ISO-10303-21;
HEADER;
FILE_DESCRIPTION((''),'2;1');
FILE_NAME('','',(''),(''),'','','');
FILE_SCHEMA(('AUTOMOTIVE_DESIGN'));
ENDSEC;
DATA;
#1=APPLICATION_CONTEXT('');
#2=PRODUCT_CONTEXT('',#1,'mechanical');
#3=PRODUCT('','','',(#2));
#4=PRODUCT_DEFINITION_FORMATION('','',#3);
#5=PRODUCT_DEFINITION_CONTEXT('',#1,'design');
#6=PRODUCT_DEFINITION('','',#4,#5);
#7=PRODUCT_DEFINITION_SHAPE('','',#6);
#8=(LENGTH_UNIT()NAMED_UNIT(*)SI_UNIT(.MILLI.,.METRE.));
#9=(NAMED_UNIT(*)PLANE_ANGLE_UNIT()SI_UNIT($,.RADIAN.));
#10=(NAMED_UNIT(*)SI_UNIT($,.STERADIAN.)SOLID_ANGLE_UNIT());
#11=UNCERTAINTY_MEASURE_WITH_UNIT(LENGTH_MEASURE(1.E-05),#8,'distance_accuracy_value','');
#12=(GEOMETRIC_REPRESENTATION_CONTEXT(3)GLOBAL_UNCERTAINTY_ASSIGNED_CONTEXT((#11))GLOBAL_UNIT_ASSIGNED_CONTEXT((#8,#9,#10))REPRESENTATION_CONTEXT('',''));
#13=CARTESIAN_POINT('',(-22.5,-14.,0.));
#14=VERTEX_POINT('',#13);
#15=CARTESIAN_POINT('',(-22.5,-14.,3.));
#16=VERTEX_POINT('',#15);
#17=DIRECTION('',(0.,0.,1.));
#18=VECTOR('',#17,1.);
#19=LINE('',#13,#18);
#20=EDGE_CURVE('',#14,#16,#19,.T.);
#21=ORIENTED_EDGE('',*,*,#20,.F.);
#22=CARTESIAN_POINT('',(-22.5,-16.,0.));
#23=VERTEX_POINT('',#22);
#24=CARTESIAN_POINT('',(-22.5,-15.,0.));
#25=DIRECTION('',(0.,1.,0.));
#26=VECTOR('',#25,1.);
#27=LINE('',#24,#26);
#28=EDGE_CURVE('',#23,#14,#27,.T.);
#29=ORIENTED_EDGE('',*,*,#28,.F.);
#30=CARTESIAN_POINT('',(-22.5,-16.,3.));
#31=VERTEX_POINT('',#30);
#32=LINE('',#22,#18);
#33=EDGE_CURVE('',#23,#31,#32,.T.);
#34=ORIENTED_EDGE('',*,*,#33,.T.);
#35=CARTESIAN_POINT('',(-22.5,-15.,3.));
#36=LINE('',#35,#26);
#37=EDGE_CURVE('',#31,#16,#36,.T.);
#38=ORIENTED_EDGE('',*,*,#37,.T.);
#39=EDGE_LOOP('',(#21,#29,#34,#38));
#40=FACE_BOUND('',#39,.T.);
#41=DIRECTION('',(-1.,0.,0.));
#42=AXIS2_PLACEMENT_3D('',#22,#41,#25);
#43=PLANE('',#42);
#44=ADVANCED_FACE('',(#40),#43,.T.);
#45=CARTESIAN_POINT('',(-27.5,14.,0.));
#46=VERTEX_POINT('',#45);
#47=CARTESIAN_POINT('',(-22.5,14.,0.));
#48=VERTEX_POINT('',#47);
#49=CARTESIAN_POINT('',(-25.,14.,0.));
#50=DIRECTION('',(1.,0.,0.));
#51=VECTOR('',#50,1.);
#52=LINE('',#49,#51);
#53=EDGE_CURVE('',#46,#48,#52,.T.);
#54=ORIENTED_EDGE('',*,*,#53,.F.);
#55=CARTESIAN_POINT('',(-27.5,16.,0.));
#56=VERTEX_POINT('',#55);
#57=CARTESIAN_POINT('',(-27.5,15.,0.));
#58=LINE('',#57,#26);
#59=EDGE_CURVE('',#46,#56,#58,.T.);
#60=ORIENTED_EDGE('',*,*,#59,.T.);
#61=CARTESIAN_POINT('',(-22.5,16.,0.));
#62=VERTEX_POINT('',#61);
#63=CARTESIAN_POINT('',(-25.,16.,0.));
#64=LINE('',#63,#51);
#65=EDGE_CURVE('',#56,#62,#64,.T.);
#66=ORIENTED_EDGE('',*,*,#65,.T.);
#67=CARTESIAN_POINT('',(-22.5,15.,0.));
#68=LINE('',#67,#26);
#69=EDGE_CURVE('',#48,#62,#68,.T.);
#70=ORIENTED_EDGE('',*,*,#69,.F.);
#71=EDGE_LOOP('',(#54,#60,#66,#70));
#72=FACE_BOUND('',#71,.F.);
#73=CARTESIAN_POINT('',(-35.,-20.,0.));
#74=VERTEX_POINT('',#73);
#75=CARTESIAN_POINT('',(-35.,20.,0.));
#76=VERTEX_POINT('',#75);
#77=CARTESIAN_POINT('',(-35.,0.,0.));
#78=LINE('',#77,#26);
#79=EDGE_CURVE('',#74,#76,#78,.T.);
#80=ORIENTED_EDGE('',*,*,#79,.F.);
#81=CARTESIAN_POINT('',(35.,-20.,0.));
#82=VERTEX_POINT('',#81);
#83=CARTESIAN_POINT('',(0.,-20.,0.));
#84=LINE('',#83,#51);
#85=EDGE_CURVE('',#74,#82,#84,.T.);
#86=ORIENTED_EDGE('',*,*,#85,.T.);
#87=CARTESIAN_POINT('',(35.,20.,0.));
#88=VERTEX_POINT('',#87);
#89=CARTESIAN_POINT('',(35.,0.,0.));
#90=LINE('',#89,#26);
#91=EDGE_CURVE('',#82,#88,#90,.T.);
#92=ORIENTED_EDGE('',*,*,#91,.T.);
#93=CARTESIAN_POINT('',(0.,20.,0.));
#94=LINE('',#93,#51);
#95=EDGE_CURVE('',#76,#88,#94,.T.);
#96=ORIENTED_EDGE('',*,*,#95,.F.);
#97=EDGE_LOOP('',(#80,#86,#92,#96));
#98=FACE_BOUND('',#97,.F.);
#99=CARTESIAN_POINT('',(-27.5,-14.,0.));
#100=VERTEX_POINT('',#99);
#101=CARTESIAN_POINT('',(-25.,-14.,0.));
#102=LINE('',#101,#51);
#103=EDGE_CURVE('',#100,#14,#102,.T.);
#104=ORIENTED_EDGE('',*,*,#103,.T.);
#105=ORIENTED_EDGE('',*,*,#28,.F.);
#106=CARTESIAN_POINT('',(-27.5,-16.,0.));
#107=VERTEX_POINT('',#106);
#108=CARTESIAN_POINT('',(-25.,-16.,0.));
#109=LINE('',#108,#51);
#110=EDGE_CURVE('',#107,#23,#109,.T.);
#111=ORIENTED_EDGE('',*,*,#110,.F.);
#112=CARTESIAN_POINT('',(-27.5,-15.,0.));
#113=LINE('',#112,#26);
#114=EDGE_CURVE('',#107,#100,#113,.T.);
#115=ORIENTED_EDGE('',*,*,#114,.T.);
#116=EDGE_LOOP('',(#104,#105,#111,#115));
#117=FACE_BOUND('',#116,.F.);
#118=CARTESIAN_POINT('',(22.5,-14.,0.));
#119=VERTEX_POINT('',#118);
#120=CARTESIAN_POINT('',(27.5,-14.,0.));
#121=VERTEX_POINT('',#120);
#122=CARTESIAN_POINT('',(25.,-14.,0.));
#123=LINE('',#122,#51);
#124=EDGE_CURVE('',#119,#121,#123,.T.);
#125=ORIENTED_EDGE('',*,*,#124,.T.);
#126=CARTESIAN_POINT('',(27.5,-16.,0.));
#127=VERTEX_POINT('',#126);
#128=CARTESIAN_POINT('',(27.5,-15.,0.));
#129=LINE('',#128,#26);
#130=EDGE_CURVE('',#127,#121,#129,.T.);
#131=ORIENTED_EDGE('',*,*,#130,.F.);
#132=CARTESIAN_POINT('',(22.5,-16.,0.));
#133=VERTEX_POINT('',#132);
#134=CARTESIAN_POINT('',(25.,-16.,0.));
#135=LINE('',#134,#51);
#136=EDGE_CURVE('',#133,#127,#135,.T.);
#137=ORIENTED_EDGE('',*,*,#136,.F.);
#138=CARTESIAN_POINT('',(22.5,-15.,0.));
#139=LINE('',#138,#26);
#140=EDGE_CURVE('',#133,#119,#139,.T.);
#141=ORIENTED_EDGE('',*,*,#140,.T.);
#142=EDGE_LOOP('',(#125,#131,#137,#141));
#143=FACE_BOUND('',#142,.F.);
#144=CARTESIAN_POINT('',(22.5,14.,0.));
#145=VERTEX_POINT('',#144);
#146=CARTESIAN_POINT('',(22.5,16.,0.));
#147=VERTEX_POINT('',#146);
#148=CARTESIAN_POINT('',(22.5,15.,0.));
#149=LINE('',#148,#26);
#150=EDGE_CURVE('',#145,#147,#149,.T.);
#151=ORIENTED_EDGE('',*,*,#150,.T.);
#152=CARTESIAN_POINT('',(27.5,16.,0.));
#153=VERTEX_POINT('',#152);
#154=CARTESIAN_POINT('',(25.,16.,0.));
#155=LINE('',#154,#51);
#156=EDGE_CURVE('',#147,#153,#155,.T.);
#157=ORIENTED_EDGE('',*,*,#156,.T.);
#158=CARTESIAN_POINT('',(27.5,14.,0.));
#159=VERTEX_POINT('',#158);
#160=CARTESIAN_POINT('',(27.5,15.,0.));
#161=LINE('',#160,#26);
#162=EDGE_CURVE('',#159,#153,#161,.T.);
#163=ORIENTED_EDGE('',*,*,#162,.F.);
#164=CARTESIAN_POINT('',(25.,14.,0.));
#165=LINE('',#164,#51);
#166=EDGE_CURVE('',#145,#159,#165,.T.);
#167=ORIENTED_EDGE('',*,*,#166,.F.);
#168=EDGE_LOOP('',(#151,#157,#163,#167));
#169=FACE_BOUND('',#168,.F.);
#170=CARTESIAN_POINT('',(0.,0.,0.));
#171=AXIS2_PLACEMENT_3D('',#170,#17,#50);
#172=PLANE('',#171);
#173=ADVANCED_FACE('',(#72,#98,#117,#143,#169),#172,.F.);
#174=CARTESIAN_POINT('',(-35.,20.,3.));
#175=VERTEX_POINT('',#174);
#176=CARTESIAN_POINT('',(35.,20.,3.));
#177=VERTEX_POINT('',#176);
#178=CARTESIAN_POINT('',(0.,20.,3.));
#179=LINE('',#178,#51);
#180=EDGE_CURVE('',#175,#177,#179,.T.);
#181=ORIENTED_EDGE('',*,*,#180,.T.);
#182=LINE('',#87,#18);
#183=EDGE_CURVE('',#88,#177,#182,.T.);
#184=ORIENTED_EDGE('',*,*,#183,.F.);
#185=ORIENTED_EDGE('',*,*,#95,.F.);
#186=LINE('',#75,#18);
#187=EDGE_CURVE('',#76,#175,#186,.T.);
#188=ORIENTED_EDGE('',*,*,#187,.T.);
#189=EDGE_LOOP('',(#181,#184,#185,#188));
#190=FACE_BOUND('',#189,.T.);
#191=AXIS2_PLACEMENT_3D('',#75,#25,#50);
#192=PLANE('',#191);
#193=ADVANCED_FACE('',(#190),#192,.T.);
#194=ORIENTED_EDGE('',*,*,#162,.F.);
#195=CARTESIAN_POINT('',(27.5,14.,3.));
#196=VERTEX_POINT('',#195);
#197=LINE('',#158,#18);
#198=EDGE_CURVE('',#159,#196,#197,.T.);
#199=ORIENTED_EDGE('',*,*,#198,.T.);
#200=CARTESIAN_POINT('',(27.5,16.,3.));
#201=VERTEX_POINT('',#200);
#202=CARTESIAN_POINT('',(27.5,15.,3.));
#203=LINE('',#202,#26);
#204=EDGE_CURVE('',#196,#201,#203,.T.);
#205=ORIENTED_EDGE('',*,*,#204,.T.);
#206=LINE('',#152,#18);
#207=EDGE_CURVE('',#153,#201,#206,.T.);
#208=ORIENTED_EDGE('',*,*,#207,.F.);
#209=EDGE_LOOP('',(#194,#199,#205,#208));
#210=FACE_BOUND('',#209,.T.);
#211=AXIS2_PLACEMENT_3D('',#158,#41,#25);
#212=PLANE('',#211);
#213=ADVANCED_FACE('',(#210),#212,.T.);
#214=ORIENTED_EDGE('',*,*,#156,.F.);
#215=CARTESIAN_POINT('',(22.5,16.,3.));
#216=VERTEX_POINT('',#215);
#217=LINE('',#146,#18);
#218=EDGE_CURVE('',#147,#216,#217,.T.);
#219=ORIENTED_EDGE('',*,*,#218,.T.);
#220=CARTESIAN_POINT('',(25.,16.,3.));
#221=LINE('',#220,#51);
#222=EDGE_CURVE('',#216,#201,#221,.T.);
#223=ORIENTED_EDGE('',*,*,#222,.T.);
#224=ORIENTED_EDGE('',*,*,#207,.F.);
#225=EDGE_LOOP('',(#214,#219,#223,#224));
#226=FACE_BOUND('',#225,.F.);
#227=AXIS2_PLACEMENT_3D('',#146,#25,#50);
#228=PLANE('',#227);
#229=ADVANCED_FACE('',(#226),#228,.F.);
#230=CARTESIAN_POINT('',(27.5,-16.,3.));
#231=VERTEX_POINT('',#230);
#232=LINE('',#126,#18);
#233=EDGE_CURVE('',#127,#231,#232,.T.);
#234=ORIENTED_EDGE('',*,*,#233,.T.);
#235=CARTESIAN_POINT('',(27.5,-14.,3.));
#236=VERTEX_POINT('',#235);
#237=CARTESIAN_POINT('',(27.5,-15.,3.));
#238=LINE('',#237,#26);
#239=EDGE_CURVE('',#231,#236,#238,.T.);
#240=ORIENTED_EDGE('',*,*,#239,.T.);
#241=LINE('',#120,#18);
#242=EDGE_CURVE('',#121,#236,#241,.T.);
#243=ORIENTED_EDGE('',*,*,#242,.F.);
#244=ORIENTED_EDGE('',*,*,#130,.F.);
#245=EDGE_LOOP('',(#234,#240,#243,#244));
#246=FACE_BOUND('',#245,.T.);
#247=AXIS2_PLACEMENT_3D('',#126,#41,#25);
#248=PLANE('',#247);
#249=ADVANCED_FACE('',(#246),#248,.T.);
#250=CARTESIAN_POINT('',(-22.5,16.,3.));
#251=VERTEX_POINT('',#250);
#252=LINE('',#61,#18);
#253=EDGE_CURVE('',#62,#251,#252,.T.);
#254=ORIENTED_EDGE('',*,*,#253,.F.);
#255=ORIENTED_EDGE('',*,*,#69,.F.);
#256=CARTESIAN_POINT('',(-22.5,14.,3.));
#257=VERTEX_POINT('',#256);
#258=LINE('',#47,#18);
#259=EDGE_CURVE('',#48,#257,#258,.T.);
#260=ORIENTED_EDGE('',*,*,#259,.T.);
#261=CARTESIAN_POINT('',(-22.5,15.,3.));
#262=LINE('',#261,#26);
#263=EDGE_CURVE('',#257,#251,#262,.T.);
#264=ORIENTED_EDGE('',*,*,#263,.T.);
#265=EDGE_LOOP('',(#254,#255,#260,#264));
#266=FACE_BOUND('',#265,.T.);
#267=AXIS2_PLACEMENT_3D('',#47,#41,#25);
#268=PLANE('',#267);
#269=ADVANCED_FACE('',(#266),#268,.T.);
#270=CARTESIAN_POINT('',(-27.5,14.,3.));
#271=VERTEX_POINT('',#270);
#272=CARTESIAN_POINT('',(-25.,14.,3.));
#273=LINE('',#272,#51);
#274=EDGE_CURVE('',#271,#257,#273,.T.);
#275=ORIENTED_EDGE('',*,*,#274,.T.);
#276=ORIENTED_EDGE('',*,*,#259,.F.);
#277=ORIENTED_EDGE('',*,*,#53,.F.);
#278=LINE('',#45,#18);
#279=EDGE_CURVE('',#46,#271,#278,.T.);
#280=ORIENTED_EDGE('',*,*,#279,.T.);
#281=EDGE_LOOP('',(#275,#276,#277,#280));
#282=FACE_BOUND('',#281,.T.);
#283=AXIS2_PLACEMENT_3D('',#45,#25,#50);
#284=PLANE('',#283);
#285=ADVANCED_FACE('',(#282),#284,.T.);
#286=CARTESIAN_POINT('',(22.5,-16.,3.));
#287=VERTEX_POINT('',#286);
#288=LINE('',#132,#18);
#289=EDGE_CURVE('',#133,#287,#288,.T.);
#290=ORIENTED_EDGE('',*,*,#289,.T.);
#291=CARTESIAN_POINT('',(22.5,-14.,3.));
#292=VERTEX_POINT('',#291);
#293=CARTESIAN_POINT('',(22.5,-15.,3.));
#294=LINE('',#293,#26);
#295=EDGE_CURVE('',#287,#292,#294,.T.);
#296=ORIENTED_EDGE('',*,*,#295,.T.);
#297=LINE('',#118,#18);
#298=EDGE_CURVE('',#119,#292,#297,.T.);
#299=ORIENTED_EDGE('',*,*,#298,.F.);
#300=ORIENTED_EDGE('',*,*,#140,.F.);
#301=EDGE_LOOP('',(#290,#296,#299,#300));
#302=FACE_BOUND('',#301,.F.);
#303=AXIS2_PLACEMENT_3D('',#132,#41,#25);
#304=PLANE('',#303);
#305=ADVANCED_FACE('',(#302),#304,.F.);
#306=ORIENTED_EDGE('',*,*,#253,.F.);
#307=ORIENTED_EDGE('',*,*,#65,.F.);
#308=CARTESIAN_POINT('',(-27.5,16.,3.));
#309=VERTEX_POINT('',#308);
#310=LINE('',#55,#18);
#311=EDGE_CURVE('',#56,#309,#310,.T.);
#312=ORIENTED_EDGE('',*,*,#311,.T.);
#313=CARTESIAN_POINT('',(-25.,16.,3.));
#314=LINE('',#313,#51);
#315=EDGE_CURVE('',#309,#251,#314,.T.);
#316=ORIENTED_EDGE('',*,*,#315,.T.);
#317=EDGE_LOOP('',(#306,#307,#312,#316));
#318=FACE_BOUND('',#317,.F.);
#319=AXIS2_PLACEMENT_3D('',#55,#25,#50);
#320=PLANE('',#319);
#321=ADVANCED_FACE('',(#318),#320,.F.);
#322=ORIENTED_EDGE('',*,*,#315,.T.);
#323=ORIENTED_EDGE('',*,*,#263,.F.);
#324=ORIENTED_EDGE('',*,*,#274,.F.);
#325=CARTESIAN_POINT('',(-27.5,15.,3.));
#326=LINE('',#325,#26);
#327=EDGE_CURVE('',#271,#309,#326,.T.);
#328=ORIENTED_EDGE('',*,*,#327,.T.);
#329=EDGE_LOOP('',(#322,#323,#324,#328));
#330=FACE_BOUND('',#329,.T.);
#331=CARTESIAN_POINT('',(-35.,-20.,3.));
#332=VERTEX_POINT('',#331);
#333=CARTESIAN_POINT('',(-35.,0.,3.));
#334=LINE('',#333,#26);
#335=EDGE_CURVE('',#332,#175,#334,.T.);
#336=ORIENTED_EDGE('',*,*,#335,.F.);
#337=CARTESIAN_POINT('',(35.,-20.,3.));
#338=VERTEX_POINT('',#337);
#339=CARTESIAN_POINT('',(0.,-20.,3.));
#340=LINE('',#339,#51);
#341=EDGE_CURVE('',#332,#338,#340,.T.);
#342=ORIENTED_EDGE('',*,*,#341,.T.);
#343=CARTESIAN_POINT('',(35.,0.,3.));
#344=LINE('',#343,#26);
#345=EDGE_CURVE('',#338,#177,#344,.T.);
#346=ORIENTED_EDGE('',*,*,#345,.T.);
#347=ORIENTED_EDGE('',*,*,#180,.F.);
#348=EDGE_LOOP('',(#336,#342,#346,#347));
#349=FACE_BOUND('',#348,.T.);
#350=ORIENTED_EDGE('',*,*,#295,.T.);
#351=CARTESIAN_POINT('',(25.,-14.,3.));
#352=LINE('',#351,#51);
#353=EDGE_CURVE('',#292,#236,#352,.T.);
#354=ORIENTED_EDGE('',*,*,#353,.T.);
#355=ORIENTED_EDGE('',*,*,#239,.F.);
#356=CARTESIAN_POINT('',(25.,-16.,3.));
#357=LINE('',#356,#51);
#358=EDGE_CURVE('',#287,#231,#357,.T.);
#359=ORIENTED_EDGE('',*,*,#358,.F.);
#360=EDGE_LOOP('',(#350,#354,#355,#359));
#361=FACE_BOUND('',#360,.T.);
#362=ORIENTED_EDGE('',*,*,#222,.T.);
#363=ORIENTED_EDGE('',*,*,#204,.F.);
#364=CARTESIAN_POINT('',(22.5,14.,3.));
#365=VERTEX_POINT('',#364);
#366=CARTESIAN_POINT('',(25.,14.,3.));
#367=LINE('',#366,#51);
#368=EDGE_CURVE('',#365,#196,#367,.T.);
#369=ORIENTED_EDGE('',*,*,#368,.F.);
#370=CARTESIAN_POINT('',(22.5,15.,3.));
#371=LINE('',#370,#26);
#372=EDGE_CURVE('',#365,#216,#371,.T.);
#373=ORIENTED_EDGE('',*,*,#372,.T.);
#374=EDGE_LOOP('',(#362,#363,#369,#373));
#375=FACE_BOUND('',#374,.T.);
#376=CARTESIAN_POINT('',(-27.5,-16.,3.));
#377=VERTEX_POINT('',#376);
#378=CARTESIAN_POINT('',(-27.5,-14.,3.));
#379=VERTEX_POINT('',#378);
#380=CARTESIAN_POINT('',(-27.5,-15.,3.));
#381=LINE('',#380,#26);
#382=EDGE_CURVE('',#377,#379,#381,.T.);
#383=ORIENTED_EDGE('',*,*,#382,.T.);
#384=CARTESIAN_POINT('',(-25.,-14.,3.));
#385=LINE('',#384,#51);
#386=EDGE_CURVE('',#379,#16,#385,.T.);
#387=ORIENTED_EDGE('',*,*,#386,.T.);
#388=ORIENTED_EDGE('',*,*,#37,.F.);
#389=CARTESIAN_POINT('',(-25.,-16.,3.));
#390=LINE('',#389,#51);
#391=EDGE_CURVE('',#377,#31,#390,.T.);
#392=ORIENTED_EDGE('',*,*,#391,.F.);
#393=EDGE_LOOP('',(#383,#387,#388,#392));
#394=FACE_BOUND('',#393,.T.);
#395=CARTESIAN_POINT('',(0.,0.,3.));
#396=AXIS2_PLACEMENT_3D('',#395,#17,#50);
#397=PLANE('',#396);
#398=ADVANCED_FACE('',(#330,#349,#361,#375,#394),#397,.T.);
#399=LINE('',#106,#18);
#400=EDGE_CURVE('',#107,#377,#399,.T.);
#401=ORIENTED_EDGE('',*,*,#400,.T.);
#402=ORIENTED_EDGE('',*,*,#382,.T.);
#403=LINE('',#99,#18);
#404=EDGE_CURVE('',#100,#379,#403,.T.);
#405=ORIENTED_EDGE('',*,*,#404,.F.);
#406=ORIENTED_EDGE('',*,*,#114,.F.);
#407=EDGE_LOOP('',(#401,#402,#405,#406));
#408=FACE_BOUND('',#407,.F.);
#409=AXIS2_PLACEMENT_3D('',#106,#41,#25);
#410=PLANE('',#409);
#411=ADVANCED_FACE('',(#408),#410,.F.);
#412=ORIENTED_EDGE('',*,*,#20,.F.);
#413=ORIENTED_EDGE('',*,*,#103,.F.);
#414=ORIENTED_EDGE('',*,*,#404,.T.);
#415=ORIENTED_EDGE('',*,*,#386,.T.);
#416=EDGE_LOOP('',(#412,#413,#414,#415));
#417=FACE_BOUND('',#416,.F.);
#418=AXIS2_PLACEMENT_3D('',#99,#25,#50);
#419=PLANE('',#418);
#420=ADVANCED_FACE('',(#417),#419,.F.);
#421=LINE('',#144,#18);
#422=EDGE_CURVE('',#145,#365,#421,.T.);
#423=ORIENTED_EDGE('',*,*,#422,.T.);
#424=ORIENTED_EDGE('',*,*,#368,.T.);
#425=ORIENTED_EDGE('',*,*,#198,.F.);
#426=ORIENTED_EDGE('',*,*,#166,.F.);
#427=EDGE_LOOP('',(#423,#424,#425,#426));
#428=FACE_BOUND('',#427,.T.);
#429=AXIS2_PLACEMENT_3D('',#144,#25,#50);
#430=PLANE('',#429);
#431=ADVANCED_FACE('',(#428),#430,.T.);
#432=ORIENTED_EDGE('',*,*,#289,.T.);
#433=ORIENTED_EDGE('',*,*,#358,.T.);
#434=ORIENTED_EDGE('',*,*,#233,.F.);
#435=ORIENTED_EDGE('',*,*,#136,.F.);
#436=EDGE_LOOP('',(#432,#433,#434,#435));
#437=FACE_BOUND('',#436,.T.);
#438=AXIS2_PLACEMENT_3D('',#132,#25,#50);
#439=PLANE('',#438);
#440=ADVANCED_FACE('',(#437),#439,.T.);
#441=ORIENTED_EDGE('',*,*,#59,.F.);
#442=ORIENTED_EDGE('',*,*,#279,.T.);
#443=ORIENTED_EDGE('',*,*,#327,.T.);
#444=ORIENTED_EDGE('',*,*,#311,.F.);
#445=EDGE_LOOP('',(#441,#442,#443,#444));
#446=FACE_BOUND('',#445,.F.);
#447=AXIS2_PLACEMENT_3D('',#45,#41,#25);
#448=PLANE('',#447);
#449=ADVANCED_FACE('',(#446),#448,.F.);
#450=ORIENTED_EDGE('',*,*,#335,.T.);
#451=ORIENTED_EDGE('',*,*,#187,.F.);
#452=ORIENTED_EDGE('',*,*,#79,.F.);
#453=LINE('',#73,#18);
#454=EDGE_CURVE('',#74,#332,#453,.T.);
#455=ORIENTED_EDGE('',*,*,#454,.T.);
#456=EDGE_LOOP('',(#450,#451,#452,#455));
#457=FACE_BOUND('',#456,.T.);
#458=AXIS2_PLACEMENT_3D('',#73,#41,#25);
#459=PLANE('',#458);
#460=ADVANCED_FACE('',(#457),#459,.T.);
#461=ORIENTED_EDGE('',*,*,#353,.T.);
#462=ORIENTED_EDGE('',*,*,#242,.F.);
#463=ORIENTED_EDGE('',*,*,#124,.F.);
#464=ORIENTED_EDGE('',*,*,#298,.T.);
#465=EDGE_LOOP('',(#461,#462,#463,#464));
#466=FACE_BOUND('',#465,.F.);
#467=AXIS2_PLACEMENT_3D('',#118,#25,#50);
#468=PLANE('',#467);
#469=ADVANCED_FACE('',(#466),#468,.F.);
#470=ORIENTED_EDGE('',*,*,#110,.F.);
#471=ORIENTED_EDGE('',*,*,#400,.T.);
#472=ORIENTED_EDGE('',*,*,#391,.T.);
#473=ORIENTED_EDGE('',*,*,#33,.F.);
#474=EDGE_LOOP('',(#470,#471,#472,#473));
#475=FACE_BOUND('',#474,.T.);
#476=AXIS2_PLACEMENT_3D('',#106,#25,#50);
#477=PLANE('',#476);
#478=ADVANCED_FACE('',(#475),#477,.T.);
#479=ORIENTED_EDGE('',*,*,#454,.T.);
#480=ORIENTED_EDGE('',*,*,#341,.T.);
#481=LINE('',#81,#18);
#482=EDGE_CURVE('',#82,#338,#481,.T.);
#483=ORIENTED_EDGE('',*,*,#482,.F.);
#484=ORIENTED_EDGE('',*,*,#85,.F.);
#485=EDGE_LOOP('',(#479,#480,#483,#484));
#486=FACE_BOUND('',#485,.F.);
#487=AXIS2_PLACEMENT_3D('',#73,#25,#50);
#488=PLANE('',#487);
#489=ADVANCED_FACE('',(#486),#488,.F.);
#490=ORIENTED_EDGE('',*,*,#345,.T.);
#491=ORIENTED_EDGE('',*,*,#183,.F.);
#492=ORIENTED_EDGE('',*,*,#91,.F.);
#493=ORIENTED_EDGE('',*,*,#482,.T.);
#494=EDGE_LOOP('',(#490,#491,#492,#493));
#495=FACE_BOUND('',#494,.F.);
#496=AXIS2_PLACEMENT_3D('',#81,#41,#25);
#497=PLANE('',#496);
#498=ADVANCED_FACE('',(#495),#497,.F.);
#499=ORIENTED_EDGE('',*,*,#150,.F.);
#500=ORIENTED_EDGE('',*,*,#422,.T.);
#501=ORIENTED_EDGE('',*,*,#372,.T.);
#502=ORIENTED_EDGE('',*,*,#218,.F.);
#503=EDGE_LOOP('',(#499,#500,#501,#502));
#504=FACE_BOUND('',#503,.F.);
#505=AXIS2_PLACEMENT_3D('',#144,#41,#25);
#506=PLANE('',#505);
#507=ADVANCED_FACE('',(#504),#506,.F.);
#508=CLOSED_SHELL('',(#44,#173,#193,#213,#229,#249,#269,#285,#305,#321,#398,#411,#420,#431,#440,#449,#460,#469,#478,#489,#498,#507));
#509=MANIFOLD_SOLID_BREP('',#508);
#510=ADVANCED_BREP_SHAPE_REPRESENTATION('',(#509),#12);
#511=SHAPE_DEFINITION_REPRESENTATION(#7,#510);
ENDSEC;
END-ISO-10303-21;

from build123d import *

# Parameters (mm, degrees)
SKETCH_W   = 70
SKETCH_H   = 40
SKETCH_W_2 = 5
SKETCH_H_2 = 2
PAD_DEPTH  = 3


with BuildPart() as part:
    # Sketch → Pad (new body)
    with BuildSketch(Plane.XY):
        Rectangle(SKETCH_W, SKETCH_H)
        with Locations((-25, 15)):
            Rectangle(SKETCH_W_2, SKETCH_H_2, mode=Mode.SUBTRACT)
        with Locations((25, 15)):
            Rectangle(SKETCH_W_2, SKETCH_H_2, mode=Mode.SUBTRACT)
        with Locations((25, -15)):
            Rectangle(SKETCH_W_2, SKETCH_H_2, mode=Mode.SUBTRACT)
        with Locations((-25, -15)):
            Rectangle(SKETCH_W_2, SKETCH_H_2, mode=Mode.SUBTRACT)
    extrude(amount=PAD_DEPTH)


solid = part.part
